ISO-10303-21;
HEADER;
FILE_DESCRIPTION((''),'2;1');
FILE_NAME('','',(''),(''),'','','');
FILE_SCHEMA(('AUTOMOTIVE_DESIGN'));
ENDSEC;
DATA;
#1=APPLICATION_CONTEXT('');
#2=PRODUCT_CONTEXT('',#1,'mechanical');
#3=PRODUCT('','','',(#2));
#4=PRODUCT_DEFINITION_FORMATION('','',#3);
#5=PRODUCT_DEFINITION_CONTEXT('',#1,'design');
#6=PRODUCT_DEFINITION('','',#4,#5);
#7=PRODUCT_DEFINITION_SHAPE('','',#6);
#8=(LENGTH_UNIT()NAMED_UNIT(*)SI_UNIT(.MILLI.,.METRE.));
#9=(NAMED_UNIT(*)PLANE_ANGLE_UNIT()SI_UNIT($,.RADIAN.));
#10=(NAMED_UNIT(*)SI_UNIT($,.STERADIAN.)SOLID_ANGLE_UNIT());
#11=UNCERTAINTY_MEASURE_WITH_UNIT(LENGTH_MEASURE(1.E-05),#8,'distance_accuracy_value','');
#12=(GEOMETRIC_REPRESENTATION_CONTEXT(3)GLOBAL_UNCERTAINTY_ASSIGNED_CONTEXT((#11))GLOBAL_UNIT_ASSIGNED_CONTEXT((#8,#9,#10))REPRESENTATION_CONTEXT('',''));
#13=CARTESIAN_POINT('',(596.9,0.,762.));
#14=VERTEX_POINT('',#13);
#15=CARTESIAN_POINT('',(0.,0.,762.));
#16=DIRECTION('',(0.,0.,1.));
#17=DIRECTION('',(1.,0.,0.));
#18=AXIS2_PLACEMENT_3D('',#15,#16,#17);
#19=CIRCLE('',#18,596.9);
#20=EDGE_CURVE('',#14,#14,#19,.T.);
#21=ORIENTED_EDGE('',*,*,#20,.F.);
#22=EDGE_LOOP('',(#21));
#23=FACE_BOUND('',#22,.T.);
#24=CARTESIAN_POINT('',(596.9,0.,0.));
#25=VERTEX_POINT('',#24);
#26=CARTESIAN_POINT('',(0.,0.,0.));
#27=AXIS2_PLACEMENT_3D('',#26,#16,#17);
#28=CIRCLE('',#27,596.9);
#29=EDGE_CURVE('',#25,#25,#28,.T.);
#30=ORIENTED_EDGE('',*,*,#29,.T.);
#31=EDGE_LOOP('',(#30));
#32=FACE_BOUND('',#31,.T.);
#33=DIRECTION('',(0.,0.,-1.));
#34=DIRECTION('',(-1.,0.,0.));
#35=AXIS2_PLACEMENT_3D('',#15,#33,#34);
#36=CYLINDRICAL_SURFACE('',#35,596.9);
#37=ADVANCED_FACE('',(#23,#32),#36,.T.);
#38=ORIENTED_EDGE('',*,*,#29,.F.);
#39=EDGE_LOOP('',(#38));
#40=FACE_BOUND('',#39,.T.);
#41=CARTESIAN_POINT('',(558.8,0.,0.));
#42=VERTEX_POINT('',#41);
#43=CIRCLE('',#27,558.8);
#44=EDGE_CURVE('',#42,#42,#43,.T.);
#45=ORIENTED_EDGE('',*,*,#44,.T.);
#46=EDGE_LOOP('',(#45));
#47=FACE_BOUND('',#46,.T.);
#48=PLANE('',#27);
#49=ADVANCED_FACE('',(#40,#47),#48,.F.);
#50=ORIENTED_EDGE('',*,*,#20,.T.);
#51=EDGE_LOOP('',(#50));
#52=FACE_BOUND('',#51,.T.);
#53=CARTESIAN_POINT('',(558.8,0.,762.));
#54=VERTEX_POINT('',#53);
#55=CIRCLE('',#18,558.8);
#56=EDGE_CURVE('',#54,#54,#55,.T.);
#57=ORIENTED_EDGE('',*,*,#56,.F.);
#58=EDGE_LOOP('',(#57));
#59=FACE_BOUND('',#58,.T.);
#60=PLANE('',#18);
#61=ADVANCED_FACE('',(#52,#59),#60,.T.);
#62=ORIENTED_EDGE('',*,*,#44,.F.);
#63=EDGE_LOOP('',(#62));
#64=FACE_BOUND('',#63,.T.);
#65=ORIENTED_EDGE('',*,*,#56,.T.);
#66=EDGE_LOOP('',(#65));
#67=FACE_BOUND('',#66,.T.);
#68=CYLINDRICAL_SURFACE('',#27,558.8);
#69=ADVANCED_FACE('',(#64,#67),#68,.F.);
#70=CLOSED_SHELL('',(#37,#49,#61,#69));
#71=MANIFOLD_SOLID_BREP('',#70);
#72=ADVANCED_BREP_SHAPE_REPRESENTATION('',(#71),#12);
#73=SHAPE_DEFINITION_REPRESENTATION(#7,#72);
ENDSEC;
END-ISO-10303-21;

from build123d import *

# Parameters (mm, degrees)
SKETCH2_R           = 596.9
BOSS_EXTRUDE1_DEPTH = 762
SKETCH3_R           = 558.8
CUT_EXTRUDE1_DEPTH  = 762


with BuildPart() as part:
    # Sketch2 → Boss-Extrude1 (new body)
    with BuildSketch(Plane.XY):
        Circle(SKETCH2_R)
    extrude(amount=BOSS_EXTRUDE1_DEPTH)

    # Sketch3 → Cut-Extrude1 (cut)
    with BuildSketch(Plane.XY.offset(762)):
        Circle(SKETCH3_R)
    extrude(amount=-CUT_EXTRUDE1_DEPTH, mode=Mode.SUBTRACT)


solid = part.part
